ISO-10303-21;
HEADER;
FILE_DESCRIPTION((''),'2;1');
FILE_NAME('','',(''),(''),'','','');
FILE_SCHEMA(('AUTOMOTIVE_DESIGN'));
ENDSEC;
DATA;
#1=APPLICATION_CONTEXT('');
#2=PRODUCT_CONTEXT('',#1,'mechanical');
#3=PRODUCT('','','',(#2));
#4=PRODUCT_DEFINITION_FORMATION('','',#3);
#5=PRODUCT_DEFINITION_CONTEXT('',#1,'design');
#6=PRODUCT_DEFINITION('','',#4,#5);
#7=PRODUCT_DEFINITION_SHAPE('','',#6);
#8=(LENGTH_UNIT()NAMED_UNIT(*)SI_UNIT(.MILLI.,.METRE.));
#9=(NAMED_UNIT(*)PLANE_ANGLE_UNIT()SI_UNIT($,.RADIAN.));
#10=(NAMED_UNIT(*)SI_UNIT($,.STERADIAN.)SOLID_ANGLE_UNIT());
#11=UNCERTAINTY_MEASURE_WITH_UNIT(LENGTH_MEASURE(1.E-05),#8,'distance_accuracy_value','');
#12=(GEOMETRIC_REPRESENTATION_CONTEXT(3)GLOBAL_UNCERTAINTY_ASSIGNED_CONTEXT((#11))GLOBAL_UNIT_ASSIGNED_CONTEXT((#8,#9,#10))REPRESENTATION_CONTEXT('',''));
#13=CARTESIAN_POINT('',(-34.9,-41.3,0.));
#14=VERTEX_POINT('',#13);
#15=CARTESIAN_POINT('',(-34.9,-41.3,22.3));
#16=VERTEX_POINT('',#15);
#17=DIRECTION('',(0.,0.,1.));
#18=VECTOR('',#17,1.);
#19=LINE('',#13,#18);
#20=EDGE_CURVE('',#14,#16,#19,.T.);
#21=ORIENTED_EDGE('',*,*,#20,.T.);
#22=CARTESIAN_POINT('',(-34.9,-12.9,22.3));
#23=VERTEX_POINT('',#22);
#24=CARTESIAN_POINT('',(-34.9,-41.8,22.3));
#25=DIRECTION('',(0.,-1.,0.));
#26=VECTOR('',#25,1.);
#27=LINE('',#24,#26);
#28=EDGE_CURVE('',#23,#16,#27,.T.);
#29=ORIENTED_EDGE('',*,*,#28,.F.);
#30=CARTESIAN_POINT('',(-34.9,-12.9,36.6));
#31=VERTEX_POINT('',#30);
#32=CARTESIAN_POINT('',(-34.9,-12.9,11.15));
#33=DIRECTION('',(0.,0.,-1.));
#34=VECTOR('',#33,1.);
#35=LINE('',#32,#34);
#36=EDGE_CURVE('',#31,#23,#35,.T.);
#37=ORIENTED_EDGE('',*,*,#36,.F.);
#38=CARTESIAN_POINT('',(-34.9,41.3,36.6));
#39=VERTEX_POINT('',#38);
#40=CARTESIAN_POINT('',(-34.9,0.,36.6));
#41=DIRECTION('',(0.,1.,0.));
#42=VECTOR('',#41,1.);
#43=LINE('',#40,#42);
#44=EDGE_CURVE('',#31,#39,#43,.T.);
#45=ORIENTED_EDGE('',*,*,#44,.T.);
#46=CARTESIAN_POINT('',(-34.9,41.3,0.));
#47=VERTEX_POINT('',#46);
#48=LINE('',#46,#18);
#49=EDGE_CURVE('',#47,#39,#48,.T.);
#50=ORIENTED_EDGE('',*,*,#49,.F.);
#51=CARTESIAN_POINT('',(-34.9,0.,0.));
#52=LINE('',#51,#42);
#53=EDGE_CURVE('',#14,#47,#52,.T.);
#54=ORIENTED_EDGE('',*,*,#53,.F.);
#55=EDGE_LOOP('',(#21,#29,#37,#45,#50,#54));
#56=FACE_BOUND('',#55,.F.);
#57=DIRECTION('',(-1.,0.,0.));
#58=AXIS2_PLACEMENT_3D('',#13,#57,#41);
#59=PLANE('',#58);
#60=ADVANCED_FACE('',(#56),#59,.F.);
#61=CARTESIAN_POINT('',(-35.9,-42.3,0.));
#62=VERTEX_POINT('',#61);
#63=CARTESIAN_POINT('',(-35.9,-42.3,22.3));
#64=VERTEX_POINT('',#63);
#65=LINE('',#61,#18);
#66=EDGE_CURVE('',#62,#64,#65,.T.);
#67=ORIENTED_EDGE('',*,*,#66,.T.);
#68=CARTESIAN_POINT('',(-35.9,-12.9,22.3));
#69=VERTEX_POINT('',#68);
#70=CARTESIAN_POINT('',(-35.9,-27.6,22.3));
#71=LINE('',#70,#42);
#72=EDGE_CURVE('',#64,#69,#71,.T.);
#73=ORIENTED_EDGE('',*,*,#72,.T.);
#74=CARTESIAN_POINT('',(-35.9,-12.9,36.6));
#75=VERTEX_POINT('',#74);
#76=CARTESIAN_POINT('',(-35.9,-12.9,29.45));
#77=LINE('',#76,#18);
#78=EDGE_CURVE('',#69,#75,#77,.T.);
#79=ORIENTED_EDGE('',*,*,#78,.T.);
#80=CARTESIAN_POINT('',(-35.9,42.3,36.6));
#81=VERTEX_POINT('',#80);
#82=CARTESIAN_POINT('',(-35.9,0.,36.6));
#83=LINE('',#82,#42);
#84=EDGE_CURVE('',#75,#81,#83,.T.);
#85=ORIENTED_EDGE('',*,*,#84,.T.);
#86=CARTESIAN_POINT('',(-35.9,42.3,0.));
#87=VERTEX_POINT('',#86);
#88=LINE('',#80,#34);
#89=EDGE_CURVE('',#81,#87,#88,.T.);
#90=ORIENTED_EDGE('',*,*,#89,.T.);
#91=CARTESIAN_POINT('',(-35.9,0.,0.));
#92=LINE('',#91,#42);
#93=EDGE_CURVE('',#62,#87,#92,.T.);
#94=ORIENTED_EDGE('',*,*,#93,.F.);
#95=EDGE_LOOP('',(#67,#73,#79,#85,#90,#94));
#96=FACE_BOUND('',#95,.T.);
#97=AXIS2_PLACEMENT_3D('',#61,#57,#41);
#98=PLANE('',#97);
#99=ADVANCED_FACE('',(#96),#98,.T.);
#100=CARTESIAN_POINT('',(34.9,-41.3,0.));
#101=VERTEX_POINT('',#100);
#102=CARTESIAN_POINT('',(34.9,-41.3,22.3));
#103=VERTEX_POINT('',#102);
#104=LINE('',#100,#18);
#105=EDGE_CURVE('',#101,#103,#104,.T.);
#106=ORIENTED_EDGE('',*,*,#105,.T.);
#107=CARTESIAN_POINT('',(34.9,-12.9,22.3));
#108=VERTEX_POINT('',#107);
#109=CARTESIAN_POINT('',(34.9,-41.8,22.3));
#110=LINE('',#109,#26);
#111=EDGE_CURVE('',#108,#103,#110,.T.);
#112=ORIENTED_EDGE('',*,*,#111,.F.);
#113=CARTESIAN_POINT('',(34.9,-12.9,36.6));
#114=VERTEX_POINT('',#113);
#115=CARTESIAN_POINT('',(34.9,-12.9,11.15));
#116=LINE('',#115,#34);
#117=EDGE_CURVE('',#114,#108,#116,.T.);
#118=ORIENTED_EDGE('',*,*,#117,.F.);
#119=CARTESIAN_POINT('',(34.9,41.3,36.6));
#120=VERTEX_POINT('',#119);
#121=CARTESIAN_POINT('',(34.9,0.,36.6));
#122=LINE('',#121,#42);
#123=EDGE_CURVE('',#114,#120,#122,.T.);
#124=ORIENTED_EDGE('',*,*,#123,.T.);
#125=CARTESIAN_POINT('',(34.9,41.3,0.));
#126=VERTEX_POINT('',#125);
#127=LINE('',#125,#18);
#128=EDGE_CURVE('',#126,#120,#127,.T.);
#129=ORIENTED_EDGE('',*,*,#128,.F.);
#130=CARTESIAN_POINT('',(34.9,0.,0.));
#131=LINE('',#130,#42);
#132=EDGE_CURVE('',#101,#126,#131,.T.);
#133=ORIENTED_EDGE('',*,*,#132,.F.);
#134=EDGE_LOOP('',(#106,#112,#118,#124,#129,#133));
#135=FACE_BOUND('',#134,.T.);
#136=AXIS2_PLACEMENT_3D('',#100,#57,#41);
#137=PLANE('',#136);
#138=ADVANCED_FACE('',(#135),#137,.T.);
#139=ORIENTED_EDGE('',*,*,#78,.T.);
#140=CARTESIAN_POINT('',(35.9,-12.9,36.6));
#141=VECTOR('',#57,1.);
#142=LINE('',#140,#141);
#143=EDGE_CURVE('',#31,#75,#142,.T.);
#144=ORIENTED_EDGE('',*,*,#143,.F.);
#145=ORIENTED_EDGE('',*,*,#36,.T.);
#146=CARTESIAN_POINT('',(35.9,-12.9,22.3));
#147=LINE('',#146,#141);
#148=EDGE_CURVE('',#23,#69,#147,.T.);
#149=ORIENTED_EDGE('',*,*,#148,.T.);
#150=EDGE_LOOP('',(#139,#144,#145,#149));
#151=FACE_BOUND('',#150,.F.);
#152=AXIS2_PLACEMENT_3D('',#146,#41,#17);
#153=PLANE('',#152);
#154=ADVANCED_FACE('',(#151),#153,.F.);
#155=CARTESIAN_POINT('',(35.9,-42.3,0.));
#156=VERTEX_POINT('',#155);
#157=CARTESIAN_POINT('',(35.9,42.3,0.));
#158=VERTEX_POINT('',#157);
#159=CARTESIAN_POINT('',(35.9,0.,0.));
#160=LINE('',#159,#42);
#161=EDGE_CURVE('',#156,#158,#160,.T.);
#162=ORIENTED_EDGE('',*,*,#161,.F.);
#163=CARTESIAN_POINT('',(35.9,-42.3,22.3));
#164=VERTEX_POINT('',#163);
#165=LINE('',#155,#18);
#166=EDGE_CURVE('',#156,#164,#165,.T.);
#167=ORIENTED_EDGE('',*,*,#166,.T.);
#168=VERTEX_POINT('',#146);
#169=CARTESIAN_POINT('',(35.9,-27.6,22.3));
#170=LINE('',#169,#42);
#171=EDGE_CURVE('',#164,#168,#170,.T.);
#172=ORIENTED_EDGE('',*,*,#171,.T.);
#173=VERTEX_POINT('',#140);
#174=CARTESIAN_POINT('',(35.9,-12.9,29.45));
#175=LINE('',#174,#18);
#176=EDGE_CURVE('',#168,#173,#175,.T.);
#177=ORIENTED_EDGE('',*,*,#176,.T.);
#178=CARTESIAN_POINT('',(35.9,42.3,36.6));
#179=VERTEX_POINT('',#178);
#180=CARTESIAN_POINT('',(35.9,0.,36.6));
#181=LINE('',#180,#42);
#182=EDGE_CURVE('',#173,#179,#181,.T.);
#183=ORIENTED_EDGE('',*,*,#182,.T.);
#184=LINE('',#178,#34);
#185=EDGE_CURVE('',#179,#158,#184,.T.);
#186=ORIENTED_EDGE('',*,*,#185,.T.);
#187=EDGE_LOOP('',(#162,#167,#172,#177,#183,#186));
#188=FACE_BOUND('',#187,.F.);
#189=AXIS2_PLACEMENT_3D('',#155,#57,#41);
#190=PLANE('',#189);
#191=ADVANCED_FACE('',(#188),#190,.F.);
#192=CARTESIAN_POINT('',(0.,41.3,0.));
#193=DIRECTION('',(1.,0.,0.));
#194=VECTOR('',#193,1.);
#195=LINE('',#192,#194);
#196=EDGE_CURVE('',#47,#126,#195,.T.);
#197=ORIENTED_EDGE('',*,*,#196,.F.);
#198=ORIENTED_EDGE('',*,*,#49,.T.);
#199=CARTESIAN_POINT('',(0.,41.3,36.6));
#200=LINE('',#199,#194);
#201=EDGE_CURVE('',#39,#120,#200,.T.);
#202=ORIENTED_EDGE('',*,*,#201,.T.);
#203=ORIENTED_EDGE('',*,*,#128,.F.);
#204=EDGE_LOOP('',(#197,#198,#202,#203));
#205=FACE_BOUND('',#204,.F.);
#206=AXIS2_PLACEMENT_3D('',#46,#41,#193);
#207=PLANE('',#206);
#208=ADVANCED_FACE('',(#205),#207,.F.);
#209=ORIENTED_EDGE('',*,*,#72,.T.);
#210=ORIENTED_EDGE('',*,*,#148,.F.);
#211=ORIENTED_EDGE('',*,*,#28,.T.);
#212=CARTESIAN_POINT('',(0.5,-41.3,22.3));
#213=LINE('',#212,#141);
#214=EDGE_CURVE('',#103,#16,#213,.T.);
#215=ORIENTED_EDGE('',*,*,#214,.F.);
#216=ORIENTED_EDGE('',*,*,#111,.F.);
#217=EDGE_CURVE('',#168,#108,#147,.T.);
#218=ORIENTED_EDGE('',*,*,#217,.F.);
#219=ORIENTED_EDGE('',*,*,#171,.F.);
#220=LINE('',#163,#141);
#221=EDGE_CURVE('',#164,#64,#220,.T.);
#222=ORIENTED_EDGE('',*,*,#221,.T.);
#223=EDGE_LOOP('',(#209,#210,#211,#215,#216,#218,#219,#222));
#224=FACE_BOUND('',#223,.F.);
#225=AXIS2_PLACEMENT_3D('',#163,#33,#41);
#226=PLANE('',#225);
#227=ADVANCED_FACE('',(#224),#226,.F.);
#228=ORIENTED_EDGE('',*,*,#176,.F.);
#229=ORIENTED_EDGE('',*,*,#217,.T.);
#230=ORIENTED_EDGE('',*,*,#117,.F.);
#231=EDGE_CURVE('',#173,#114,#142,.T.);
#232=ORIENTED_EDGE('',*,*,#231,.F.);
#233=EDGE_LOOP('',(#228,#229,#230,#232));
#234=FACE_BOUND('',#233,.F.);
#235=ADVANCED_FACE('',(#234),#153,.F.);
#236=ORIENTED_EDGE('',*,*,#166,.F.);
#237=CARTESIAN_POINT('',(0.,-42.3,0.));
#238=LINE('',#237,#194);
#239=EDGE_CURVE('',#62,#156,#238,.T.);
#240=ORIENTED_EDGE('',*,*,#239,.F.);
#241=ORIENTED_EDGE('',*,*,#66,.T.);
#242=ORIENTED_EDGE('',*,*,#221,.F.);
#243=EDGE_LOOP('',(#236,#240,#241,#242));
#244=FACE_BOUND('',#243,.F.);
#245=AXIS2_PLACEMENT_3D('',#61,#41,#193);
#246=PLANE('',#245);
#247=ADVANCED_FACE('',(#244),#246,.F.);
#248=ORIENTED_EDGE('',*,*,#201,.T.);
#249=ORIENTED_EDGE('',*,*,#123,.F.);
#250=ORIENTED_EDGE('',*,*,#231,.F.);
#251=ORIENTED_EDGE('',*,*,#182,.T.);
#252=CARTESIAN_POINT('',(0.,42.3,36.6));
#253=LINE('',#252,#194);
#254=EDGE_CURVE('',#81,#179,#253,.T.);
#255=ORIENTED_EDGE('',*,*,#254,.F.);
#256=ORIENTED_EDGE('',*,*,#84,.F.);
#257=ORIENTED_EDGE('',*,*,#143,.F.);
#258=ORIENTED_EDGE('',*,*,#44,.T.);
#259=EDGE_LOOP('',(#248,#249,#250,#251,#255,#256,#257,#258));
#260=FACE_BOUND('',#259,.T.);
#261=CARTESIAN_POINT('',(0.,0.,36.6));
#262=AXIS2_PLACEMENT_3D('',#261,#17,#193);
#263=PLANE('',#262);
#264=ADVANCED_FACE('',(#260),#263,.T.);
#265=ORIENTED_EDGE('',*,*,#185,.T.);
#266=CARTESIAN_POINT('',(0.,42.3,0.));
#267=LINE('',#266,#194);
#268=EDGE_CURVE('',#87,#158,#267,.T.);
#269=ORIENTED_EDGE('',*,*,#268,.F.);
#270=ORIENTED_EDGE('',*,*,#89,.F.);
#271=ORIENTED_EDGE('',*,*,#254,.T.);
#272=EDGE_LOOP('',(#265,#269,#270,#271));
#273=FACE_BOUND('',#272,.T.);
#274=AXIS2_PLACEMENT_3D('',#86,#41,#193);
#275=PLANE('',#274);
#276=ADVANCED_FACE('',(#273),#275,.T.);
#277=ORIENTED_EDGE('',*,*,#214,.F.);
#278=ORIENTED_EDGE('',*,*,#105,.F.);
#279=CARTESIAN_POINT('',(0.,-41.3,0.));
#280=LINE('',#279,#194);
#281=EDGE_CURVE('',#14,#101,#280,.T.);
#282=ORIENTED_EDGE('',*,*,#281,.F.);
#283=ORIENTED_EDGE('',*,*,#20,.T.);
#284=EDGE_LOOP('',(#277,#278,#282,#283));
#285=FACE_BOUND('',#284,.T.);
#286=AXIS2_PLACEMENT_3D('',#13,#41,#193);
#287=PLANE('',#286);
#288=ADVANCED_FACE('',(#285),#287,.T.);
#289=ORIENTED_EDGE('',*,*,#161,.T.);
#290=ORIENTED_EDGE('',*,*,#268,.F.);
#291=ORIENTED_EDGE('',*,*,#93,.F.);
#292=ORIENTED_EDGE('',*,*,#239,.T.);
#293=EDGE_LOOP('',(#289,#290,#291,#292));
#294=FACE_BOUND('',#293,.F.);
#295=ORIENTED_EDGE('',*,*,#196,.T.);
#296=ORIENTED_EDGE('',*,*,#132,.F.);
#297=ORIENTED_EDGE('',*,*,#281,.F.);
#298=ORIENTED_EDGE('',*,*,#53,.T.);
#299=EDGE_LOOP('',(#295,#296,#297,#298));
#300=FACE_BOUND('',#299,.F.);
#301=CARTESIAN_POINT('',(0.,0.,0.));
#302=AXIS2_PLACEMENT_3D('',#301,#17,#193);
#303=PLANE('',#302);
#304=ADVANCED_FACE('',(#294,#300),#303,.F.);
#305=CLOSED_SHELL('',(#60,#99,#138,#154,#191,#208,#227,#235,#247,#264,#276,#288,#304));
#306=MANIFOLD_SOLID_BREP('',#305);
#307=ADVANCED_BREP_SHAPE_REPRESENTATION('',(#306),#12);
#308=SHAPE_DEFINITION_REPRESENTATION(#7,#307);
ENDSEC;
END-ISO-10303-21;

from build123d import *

# Parameters (mm, degrees)
F0_W     = 71.8
F0_H     = 84.6
F2_DEPTH = 36.6
F3_DEPTH = 2
F1_W     = 69.8
F1_H     = 82.6
F4_DEPTH = 36.6
F5_W     = 29.4
F5_H     = 14.3
F6_DEPTH = 71.8


with BuildPart() as f2:
    # F0 (on Top) → F2 (new body)
    with BuildSketch(Plane.XY):
        Rectangle(F0_W, F0_H)
    extrude(amount=F2_DEPTH)

    # F0 (on Top) → F3 (join)
    with BuildSketch(Plane.XY):
        Rectangle(F0_W, F0_H)
    extrude(amount=F3_DEPTH)

    # F1 (on face) → F4 (cut)
    with BuildSketch(Plane.XY):
        Rectangle(F1_W, F1_H)
    extrude(amount=F4_DEPTH, mode=Mode.SUBTRACT)

    # F5 (on face) → F6 (cut)
    with BuildSketch(Plane.YZ.offset(35.9)):
        with Locations((-27.6, 29.45)):
            Rectangle(F5_W, F5_H)
    extrude(amount=-F6_DEPTH, mode=Mode.SUBTRACT)


solid = f2.part
